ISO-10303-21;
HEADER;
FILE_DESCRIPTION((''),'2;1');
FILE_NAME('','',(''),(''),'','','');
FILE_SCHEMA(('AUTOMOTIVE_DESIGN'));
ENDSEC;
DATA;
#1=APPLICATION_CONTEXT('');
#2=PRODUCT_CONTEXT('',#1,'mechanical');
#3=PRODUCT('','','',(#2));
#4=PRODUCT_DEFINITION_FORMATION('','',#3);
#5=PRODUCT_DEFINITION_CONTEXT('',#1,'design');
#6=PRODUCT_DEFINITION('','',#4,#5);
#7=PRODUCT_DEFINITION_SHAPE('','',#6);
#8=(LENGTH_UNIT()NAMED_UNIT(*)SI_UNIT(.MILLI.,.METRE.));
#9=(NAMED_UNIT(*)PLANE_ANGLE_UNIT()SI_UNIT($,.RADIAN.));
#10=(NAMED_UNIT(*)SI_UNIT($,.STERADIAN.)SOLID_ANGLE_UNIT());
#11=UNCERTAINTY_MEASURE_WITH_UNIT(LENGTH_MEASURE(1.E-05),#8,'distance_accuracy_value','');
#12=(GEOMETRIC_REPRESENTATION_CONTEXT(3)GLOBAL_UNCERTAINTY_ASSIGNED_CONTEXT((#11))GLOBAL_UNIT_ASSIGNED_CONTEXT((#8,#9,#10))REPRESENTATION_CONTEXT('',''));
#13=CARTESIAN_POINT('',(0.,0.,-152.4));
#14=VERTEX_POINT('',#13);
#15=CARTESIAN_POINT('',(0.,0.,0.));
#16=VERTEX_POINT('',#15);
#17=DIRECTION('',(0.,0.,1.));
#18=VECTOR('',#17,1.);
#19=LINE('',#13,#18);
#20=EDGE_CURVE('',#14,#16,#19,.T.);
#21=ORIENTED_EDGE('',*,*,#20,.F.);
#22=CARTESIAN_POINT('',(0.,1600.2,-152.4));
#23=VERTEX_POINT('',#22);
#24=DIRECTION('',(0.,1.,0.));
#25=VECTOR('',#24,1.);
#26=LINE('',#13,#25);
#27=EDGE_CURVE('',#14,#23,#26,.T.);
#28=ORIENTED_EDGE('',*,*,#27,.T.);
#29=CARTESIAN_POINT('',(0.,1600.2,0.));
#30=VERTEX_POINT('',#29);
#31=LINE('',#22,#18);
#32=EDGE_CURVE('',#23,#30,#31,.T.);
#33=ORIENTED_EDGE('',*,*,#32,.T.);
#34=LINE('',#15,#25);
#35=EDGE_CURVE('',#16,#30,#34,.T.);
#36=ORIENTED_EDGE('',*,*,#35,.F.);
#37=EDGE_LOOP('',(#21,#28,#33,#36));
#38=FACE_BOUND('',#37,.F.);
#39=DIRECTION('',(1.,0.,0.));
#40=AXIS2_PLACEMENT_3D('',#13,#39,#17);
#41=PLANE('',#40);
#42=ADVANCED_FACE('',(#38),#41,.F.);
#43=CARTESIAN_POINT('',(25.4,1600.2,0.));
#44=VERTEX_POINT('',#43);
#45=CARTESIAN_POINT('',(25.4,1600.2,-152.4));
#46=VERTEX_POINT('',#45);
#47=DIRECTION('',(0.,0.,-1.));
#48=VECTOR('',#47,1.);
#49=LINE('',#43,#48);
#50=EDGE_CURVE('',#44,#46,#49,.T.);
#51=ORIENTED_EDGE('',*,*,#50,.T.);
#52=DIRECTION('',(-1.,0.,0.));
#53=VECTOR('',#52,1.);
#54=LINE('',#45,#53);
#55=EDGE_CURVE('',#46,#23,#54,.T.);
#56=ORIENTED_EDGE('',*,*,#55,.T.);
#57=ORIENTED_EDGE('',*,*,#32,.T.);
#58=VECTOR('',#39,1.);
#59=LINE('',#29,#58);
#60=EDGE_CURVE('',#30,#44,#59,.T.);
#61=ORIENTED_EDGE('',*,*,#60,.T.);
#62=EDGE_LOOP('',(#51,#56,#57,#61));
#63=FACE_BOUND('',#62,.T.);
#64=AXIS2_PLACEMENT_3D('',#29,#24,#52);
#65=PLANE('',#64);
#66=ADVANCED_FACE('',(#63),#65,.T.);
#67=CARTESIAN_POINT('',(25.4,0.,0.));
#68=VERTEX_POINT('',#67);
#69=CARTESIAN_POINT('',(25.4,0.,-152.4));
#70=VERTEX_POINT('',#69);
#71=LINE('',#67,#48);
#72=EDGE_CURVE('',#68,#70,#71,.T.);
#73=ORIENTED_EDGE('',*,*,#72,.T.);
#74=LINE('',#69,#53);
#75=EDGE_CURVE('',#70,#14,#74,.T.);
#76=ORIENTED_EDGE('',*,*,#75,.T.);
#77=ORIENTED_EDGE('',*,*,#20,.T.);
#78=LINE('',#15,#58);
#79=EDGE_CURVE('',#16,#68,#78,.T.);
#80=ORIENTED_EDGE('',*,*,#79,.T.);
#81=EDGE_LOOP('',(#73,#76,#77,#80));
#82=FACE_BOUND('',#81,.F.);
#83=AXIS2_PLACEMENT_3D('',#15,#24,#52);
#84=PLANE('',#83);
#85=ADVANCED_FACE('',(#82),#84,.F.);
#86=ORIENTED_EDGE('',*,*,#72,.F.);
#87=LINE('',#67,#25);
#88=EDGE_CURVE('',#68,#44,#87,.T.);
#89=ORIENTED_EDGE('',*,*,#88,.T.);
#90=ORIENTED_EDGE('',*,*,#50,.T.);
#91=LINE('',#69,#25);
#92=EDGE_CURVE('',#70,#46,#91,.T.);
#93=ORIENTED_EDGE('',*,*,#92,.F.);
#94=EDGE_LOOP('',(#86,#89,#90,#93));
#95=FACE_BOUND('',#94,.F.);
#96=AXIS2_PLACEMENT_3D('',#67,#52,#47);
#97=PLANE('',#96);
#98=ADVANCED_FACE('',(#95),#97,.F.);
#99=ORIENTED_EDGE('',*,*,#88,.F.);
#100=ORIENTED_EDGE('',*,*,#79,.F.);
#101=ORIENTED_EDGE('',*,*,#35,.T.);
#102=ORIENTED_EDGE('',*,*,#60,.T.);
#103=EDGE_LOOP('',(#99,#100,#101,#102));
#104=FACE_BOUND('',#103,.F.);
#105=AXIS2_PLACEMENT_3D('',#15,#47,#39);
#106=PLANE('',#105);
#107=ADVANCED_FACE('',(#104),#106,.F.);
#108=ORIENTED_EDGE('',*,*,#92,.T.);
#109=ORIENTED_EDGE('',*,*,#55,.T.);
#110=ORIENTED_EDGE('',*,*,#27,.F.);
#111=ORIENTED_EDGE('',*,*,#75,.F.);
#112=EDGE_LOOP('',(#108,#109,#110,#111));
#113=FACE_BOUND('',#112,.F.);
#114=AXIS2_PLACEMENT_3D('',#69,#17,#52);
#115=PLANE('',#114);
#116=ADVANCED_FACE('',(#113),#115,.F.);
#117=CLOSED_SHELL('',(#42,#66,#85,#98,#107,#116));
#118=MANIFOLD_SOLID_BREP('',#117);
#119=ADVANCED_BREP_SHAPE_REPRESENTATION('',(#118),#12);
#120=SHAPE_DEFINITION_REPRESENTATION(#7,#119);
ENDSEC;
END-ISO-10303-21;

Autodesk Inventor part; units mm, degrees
ref_plane "YZ Plane" through (0, 0, 0) normal (1, 0, 0) x (0, 1, 0)
ref_plane "XZ Plane" through (0, 0, 0) normal (0, 1, 0) x (-1, 0, 0)
ref_plane "XY Plane" through (0, 0, 0) normal (0, 0, 1) x (1, 0, 0)
sketch "Sketch1" plane through (0, 0, 0) normal (0, 1, 0) x (-1, 0, 0)
  line L0 (0, 0) -> (-25.4, 0)
  line L1 (-25.4, 0) -> (-25.4, -152.4)
  line L2 (-25.4, -152.4) -> (0, -152.4)
  line L3 (0, -152.4) -> (0, 0)
  dimension "d0" = 25.4
  dimension "d1" = 152.4
extrude "Extrusion1" add sketch "Sketch1" along normal blind 1600.2
properties part number "rev1 beam tube"
